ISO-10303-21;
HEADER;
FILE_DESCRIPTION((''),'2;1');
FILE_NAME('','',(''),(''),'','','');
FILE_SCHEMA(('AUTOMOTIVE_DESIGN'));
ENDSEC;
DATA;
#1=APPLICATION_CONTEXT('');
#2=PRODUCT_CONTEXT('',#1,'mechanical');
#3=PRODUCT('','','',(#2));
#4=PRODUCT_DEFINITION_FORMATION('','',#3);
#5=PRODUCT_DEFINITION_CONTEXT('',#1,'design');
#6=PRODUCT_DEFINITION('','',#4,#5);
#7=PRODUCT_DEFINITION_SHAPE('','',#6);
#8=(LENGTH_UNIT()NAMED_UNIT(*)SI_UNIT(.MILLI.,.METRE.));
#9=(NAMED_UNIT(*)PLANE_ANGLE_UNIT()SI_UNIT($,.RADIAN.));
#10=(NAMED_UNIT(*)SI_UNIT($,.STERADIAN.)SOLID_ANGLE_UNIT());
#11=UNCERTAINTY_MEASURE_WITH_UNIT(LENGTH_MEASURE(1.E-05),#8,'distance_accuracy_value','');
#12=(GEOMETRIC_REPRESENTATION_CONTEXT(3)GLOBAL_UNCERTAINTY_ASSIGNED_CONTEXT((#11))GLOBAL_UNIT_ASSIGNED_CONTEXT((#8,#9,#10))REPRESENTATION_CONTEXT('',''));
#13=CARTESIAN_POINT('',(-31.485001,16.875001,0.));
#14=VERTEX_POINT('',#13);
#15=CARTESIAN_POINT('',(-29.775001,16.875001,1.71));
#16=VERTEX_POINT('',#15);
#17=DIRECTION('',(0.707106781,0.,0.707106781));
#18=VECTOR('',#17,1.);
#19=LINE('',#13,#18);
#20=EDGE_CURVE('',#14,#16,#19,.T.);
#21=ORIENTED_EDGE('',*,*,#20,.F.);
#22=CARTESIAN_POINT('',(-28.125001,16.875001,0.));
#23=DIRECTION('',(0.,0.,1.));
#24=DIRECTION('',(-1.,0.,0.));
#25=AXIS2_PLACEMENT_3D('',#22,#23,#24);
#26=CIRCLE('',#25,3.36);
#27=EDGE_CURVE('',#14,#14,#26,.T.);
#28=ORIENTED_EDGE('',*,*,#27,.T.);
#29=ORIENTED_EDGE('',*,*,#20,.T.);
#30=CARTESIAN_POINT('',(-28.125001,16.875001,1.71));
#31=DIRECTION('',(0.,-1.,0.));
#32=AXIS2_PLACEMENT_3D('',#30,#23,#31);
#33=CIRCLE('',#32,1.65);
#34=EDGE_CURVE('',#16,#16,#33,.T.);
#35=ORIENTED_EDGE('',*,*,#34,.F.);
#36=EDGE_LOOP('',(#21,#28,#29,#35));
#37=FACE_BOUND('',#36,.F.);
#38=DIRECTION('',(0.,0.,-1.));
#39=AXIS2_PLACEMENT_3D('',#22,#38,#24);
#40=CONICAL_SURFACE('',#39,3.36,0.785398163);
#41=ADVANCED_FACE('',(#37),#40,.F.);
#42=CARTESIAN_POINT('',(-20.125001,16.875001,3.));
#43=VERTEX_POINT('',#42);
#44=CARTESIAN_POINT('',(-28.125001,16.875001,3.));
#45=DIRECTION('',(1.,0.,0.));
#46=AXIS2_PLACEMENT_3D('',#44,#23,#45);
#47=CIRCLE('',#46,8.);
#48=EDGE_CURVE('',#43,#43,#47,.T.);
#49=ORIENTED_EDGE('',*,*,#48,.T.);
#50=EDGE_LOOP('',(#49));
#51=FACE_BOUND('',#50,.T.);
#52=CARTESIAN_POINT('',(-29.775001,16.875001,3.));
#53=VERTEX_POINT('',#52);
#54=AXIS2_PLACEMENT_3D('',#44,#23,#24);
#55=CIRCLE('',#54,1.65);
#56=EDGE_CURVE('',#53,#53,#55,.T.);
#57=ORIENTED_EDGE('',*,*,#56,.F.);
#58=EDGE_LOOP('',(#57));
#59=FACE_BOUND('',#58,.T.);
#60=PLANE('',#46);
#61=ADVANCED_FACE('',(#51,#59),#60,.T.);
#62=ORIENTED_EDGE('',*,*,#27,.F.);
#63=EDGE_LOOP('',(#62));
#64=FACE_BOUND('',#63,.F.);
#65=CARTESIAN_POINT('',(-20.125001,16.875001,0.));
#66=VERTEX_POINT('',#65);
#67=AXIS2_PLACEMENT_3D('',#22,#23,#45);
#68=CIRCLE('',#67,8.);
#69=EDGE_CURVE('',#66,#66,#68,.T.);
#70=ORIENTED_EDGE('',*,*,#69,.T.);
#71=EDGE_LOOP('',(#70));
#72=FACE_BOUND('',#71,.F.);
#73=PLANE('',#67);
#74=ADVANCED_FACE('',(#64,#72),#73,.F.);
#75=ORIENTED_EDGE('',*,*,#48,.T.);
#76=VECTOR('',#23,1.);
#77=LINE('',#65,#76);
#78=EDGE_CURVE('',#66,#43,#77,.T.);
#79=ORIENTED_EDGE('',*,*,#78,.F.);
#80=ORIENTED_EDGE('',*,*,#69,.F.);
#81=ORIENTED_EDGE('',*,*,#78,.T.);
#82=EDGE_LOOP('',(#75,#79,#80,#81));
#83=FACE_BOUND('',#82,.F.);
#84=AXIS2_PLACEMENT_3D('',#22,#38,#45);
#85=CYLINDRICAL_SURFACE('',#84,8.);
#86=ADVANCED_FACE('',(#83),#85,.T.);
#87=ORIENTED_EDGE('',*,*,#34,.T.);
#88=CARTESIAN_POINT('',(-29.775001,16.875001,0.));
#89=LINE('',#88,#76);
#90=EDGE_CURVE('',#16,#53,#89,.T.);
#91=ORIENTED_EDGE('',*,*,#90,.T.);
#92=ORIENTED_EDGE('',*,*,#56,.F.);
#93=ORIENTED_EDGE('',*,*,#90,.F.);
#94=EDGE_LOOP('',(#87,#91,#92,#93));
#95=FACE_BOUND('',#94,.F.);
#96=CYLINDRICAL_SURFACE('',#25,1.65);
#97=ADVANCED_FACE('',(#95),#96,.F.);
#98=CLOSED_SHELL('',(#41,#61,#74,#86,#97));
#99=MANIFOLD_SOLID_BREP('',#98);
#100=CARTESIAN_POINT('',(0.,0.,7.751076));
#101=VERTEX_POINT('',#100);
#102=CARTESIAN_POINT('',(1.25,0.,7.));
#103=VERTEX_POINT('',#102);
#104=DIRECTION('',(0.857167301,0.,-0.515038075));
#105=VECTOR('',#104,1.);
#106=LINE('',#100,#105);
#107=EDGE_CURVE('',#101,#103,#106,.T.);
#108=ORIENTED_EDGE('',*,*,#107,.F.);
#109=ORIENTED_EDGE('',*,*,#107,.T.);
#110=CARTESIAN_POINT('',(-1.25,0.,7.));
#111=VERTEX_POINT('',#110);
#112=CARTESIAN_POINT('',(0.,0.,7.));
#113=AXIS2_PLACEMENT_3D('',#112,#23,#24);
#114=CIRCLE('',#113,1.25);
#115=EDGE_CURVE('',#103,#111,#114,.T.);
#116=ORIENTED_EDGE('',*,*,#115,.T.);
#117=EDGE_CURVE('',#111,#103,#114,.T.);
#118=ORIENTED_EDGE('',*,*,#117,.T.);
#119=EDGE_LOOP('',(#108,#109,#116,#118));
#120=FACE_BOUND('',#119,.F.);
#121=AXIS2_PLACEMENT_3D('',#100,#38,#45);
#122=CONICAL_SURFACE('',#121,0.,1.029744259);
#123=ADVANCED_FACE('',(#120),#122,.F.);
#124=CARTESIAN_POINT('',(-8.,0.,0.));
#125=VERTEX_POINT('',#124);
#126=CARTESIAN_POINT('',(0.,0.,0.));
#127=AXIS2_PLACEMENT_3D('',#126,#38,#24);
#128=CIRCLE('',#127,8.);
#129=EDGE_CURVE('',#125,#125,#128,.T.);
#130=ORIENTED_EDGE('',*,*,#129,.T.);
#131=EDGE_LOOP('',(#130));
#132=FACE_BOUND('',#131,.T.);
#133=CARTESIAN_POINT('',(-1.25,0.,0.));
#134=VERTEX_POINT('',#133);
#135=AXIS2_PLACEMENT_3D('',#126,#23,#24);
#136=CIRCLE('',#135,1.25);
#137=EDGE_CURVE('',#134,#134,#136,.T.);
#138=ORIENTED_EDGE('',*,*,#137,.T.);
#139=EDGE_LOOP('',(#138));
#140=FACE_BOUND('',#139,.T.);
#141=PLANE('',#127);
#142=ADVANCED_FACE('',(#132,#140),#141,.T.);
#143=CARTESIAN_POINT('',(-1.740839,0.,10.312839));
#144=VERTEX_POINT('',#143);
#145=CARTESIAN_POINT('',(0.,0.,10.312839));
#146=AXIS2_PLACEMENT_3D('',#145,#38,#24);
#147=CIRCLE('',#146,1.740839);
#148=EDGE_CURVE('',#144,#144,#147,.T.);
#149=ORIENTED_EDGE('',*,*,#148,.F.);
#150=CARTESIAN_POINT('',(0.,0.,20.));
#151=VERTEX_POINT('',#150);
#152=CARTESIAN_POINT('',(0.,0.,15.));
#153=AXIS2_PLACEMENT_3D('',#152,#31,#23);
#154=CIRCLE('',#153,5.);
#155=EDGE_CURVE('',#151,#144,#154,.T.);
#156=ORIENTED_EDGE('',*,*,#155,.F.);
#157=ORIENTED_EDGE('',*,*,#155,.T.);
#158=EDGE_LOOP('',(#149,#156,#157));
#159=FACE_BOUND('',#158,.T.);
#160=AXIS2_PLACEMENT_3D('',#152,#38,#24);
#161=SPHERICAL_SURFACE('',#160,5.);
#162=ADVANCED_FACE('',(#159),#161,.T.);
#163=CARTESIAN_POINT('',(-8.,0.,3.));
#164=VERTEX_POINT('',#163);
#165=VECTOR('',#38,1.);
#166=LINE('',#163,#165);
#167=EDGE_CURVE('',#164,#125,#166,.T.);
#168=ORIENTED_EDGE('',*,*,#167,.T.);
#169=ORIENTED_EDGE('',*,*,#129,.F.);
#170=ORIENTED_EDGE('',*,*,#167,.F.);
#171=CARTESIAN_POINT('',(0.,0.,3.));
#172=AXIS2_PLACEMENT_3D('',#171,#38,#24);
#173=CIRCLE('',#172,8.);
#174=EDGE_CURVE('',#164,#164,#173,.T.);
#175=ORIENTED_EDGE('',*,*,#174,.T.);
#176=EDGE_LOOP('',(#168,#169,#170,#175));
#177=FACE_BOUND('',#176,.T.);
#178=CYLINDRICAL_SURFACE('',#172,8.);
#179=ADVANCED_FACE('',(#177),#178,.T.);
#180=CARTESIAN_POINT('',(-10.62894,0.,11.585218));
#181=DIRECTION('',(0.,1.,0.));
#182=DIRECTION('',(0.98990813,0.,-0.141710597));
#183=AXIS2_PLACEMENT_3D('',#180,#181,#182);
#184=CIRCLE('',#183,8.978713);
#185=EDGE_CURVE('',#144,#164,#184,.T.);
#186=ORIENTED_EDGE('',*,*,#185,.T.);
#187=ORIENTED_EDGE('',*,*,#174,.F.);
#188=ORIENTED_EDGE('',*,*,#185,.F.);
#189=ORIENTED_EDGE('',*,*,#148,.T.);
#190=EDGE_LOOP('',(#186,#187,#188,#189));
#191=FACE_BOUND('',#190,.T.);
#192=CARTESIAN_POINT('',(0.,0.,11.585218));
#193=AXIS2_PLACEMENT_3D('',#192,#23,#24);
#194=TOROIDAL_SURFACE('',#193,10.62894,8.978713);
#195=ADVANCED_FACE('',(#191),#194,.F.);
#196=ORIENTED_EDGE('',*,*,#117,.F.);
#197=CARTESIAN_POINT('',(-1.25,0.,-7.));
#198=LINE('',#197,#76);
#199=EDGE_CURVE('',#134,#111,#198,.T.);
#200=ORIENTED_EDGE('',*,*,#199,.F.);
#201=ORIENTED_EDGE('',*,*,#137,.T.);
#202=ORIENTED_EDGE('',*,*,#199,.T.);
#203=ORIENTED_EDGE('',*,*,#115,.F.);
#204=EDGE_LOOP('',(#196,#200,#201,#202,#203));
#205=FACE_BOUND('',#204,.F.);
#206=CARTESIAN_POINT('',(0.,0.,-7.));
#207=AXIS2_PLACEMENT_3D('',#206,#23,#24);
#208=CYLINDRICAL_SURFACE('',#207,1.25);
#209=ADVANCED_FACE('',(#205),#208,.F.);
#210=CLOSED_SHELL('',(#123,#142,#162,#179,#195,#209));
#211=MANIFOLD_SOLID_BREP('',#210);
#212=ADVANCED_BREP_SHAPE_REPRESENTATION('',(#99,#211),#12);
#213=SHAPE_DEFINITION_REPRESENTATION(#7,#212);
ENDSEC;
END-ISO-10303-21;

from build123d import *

# Parameters (mm, degrees)
F3_D           = 2.5
F3_DEPTH       = 7
F3_TIP         = 0.7510757738
F4_R           = 8
F5_DEPTH       = 3
F6_D           = 3.3
F6_DEPTH       = 7
F6_CSINK_D     = 6.72
F6_CSINK_ANGLE = 90
F6_TIP         = 0.9914200214


with BuildPart() as f1:
    # F0 (on Front) → F1 (revolve)
    with BuildSketch(Plane.XZ):
        with BuildLine():
            Line((-8, 0), (0, 0))
            Line((0, 0), (0, 20))
            ThreePointArc((0, 20), (-4.9211688735, 15.8843624363), (-1.7408387578, 10.3128387675))
            ThreePointArc((-1.7408387578, 10.3128387675), (-3.8076524747, 5.7467822882), (-8, 3))
            Line((-8, 3), (-8, 0))
        make_face()
    revolve(axis=Axis((0, 0, 10), (0, 0, -1)))

    # F3
    with Locations(Plane(origin=(0, 0, 0), x_dir=(1, 0, 0), z_dir=(0, 0, -1))):
        with Locations((0, 0)):
            Hole(F3_D / 2, depth=F3_DEPTH)
            with Locations((0, 0, -(F3_DEPTH + F3_TIP / 2))):  # 118° drill point
                Cone(0, F3_D / 2, F3_TIP, mode=Mode.SUBTRACT)


with BuildPart() as f5:
    # F4 (on Top) → F5 (new body)
    with BuildSketch(Plane.XY):
        with Locations((-28.1250011176, 16.8750006706)):
            Circle(F4_R)
    extrude(amount=F5_DEPTH)

    # F6
    with Locations(Plane(origin=(0, 0, 0), x_dir=(1, 0, 0), z_dir=(0, 0, -1))):
        with Locations((-28.1250011176, -16.8750006706)):
            CounterSinkHole(F6_D / 2, F6_CSINK_D / 2, depth=F6_DEPTH, counter_sink_angle=F6_CSINK_ANGLE)
            with Locations((0, 0, -(F6_DEPTH + F6_TIP / 2))):  # 118° drill point
                Cone(0, F6_D / 2, F6_TIP, mode=Mode.SUBTRACT)


solid = Compound([f1.part, f5.part])
